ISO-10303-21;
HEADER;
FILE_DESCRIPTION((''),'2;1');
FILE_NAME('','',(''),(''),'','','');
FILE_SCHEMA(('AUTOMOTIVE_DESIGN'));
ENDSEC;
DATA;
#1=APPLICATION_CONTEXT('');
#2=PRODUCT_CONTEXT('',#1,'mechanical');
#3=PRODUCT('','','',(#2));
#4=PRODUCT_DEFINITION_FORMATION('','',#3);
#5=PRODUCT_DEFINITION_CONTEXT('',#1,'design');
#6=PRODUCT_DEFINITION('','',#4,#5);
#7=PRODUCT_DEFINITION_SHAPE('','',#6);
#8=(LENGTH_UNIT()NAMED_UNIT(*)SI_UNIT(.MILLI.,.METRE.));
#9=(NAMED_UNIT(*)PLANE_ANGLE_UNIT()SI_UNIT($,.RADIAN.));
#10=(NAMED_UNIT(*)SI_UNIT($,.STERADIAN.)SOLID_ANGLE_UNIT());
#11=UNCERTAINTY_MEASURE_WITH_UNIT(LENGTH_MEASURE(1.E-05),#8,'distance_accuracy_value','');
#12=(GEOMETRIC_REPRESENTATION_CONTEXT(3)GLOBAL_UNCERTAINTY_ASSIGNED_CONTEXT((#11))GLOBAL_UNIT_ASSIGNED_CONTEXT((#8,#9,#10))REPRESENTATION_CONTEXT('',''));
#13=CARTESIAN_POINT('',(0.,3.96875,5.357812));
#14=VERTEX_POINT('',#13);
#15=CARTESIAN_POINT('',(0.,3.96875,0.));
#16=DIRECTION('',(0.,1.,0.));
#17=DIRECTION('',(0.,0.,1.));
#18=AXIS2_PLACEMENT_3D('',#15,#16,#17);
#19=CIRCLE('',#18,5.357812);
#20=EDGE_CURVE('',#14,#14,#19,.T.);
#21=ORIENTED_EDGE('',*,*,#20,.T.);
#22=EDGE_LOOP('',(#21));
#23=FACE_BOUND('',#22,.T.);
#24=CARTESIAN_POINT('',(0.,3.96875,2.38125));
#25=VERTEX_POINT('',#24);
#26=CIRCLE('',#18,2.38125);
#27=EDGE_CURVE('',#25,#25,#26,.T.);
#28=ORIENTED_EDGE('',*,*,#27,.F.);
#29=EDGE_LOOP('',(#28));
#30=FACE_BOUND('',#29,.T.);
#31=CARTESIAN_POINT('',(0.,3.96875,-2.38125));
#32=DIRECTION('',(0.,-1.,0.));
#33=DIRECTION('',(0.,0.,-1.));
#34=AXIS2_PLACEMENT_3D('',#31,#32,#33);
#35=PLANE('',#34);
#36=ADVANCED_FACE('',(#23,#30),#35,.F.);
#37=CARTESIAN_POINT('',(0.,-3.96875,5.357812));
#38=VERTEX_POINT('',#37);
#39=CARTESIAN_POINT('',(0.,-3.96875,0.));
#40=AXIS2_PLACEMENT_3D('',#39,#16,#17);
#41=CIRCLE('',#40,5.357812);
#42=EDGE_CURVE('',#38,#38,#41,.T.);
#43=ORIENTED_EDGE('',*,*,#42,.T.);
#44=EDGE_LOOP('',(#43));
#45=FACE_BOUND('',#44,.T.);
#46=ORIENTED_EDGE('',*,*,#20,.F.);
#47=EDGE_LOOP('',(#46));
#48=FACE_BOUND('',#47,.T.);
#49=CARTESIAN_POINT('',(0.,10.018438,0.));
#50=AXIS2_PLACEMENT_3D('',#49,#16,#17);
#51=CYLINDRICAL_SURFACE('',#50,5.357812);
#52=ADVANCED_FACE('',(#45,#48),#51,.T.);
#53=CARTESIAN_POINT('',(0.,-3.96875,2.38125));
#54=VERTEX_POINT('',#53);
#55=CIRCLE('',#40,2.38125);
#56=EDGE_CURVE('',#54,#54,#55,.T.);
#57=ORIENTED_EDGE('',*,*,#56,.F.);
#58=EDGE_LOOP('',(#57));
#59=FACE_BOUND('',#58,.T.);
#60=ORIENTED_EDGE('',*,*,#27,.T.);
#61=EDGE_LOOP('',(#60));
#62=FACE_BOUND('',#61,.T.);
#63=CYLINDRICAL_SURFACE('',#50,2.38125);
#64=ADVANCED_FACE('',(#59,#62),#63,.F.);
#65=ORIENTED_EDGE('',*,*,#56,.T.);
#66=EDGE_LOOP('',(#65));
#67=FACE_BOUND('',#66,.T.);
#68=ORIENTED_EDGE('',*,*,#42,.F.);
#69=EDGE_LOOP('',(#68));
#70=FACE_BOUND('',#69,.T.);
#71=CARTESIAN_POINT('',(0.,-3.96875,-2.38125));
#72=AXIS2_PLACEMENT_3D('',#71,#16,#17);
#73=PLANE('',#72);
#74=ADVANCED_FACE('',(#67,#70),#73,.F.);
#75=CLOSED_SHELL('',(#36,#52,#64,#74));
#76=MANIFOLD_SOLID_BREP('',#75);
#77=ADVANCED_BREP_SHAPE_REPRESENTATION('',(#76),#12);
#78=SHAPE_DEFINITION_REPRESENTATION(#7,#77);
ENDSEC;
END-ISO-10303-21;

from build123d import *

# Parameters (mm, degrees)
SKETCH1_W = 2.9765625
SKETCH1_H = 7.9375


with BuildPart() as part:
    # Sketch1 → Revolve1 (revolve)
    with BuildSketch(Plane(origin=(0, 0, 0), x_dir=(0, 0, -1), z_dir=(1, 0, 0)), mode=Mode.PRIVATE) as revolve1_sk:
        with Locations((3.86953125, 0)):
            Rectangle(SKETCH1_W, SKETCH1_H)
    revolve(revolve1_sk.sketch.rotate(Axis((0, 10.01843826, 0), (0, -1, 0)), 180), axis=Axis((0, 10.01843826, 0), (0, -1, 0)))


solid = part.part
